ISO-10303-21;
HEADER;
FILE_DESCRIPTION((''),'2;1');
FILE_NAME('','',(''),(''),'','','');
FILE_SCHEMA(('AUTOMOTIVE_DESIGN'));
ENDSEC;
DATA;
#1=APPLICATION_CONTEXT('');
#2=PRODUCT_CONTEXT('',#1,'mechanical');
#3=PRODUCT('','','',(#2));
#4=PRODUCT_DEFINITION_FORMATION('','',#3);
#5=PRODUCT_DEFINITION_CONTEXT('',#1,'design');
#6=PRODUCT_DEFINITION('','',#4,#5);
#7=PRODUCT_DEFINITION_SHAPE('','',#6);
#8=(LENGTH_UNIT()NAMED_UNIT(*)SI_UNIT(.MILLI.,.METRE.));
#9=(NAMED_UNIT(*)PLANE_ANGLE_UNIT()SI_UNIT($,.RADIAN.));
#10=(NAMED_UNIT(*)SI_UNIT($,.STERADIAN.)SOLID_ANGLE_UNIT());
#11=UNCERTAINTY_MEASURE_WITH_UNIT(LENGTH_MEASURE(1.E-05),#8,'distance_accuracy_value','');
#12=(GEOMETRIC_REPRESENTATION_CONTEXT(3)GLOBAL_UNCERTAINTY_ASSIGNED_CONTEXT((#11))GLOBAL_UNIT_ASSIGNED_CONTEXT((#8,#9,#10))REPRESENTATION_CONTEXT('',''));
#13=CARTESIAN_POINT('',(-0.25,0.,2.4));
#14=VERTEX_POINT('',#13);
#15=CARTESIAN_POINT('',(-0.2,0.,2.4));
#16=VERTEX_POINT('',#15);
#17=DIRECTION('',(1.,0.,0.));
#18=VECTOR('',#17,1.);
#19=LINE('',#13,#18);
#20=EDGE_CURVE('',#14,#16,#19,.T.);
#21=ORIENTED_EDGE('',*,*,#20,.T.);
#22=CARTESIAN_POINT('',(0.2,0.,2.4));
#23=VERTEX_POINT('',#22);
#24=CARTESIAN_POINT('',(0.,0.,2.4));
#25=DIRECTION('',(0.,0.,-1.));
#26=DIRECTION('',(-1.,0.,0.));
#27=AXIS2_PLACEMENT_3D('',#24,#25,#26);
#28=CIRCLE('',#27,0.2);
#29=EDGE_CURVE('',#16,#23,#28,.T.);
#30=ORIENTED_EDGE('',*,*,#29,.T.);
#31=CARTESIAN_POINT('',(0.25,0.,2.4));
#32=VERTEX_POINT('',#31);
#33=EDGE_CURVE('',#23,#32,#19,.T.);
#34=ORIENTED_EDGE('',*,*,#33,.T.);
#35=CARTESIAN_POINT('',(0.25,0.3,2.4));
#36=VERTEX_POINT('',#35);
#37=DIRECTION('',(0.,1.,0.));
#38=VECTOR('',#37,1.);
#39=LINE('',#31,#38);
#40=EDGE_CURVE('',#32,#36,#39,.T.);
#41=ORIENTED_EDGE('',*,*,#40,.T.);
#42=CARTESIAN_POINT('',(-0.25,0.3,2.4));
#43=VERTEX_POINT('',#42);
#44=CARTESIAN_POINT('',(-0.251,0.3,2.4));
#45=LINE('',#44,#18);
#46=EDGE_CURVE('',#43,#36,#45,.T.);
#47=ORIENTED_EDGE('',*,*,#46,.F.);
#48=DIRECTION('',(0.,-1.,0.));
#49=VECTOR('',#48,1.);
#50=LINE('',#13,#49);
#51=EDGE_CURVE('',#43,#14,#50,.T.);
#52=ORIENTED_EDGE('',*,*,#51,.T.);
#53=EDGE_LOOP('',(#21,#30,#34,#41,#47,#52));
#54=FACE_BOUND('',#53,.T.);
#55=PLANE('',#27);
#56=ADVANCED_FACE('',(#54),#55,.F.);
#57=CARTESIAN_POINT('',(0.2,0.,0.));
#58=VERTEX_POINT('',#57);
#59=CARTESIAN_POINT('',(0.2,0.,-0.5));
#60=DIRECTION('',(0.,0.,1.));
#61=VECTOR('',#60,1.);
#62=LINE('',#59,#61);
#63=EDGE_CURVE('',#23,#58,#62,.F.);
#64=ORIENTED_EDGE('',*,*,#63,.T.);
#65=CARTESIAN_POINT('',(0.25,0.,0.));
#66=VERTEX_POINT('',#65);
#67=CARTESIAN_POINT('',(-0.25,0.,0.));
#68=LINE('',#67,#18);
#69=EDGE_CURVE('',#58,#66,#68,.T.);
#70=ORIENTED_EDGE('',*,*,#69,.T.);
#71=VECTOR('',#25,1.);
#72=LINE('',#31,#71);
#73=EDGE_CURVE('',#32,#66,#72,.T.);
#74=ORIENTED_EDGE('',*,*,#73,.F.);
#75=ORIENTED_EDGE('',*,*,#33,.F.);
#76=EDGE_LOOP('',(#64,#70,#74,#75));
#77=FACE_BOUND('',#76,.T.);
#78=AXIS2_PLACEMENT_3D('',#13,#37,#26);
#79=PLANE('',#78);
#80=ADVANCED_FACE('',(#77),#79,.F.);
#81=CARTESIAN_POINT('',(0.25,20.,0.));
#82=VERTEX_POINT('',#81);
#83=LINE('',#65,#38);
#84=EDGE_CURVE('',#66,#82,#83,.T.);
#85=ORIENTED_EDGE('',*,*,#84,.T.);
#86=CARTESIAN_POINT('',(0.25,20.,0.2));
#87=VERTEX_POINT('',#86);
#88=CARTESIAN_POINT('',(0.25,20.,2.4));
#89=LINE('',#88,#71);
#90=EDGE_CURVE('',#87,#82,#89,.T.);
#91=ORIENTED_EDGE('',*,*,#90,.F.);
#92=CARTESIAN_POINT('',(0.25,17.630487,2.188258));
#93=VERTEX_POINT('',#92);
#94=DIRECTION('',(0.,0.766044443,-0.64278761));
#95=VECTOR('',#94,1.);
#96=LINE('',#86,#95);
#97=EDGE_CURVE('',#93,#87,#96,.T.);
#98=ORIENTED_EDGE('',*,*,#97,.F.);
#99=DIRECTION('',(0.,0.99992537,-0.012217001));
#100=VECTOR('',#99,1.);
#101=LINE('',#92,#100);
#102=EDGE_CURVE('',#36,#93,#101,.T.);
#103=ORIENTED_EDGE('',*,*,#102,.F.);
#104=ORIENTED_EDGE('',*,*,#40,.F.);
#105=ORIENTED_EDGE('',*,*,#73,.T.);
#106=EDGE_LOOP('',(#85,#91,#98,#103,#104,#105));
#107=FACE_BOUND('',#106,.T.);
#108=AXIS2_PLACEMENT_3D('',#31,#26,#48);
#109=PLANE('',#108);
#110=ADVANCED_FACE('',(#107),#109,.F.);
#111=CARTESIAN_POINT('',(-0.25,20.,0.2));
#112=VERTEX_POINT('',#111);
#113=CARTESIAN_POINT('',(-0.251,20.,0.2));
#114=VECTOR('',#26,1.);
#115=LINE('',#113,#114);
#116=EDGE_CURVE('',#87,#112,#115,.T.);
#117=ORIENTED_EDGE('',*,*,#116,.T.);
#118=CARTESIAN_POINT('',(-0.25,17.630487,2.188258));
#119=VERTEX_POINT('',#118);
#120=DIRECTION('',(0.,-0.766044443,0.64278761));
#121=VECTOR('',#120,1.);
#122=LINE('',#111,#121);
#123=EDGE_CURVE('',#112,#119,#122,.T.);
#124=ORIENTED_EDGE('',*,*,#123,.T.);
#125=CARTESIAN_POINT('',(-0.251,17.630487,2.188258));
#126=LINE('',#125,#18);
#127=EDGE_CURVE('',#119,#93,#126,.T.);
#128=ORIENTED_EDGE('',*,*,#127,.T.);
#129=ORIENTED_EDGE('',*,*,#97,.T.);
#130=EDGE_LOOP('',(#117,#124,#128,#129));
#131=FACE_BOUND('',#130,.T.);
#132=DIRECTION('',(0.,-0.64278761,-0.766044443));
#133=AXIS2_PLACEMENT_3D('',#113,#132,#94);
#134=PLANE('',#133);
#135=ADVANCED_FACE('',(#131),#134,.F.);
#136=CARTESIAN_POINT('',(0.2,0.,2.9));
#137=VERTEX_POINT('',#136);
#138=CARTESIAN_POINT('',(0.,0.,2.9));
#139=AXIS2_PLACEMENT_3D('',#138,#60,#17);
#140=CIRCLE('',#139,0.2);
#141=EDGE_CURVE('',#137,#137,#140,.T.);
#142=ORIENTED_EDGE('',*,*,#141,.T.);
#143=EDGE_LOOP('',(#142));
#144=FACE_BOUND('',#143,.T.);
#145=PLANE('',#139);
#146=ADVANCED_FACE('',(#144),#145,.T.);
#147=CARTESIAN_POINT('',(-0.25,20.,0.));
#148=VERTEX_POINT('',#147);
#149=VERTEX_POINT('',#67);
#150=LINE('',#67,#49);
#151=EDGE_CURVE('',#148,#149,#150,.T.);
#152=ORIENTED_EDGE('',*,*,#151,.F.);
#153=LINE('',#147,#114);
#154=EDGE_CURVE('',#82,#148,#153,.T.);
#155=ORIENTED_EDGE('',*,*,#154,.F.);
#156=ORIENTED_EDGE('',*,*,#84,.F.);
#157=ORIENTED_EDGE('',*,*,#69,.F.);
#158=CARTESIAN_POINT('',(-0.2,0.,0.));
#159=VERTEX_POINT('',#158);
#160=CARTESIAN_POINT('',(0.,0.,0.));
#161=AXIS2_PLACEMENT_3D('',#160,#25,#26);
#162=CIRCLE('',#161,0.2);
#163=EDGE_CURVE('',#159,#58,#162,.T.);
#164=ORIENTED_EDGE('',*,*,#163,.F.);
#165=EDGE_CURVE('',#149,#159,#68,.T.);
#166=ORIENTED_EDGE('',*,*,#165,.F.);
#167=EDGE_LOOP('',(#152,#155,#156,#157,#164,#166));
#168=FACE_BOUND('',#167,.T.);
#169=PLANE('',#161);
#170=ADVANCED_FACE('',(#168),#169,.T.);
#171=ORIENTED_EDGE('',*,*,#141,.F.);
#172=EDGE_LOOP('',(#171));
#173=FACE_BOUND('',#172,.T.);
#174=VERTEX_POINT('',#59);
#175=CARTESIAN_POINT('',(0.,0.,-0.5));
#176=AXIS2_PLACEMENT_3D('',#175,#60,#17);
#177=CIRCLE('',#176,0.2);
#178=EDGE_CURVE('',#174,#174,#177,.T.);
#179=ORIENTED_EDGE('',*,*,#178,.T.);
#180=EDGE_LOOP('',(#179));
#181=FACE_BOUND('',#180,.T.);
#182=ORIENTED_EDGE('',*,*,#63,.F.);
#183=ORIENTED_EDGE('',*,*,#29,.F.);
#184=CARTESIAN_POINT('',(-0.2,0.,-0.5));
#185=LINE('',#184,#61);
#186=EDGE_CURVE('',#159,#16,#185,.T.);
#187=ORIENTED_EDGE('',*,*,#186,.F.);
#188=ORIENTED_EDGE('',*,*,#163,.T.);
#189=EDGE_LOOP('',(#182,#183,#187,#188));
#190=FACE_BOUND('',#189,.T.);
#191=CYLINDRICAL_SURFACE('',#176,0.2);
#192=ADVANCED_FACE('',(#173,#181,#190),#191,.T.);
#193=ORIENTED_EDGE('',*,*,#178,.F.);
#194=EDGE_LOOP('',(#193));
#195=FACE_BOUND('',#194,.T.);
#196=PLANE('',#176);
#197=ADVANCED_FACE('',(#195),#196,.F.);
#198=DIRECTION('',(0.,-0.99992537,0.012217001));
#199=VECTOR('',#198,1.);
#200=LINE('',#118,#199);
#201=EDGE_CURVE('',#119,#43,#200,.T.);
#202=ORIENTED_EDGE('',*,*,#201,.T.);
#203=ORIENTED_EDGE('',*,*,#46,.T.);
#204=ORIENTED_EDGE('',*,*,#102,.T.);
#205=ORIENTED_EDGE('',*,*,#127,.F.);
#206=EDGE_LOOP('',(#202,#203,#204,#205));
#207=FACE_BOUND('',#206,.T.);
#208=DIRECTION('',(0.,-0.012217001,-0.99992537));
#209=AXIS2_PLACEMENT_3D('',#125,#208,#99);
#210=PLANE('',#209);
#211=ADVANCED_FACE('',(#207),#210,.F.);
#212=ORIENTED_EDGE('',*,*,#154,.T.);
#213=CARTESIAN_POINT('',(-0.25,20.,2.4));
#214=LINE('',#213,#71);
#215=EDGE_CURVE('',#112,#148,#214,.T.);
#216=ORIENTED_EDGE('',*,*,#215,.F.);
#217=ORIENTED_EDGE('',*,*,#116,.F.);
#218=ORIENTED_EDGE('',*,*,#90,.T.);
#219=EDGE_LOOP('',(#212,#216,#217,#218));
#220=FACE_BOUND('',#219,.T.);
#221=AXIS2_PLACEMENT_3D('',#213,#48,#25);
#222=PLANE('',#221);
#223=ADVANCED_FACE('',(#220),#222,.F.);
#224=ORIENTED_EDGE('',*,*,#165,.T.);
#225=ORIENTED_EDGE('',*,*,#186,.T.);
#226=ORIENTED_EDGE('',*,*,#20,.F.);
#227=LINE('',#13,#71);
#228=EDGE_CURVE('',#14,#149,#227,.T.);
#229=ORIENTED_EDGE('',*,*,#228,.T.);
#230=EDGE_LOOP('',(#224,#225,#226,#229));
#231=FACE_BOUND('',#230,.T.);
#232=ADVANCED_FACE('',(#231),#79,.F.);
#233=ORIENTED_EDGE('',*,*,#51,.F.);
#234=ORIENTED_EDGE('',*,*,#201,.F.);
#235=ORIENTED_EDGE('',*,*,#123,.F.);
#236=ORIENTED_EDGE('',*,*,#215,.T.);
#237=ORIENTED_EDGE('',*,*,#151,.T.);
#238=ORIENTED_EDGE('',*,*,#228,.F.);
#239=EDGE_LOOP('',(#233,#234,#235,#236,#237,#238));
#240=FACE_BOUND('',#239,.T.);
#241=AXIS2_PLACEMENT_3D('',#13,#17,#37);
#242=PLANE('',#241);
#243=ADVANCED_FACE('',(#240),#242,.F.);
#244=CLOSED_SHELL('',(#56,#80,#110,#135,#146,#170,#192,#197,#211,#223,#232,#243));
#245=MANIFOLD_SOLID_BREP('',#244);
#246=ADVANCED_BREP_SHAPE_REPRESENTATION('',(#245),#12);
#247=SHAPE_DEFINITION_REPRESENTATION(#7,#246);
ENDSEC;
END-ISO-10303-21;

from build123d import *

# Parameters (mm, degrees)
SKETCH1_W                = 0.5
SKETCH1_H                = 20
BOSS_EXTRUDE1_DEPTH      = 2.4
BOSS_EXTRUDE2_DEPTH      = 0.5
BOSS_EXTRUDE2_DEPTH_BACK = 2.9
SKETCH2_R                = 0.2
CUT_EXTRUDE1_REACH       = 22.215


with BuildPart() as part:
    # Sketch1 → Boss-Extrude1 (new body)
    with BuildSketch(Plane.XY):
        with Locations((0, 10)):
            Rectangle(SKETCH1_W, SKETCH1_H)
    extrude(amount=BOSS_EXTRUDE1_DEPTH)

    # Sketch2 → Boss-Extrude2 (add, two sides: drawn at the far end of the back side and taken through both)
    with BuildSketch(Plane.XY.offset(2.4).offset(-BOSS_EXTRUDE2_DEPTH_BACK)):
        Circle(SKETCH2_R)
    extrude(amount=BOSS_EXTRUDE2_DEPTH + BOSS_EXTRUDE2_DEPTH_BACK)

    # Sketch3 → Cut-Extrude1 (cut, up to next)
    with BuildSketch(Plane(origin=(0.25, 0, 0), x_dir=(0, 0, -1), z_dir=(1, 0, 0)), mode=Mode.PRIVATE) as cut_extrude1_sk1:
        Polygon((-2.4, 0.3), (-3.130095712, 0.3), (-3.130095712, 41.705801687), (-0.2, 41.705801687), (-0.2, 20), (-2.188257625, 17.630486832), align=None)
    cut_extrude1_tool1 = extrude(cut_extrude1_sk1.sketch, amount=-CUT_EXTRUDE1_REACH, mode=Mode.PRIVATE) & part.part
    add(cut_extrude1_tool1.solids().sort_by_distance((0.25, 26.424814, 1.871))[0], mode=Mode.SUBTRACT)


solid = part.part
